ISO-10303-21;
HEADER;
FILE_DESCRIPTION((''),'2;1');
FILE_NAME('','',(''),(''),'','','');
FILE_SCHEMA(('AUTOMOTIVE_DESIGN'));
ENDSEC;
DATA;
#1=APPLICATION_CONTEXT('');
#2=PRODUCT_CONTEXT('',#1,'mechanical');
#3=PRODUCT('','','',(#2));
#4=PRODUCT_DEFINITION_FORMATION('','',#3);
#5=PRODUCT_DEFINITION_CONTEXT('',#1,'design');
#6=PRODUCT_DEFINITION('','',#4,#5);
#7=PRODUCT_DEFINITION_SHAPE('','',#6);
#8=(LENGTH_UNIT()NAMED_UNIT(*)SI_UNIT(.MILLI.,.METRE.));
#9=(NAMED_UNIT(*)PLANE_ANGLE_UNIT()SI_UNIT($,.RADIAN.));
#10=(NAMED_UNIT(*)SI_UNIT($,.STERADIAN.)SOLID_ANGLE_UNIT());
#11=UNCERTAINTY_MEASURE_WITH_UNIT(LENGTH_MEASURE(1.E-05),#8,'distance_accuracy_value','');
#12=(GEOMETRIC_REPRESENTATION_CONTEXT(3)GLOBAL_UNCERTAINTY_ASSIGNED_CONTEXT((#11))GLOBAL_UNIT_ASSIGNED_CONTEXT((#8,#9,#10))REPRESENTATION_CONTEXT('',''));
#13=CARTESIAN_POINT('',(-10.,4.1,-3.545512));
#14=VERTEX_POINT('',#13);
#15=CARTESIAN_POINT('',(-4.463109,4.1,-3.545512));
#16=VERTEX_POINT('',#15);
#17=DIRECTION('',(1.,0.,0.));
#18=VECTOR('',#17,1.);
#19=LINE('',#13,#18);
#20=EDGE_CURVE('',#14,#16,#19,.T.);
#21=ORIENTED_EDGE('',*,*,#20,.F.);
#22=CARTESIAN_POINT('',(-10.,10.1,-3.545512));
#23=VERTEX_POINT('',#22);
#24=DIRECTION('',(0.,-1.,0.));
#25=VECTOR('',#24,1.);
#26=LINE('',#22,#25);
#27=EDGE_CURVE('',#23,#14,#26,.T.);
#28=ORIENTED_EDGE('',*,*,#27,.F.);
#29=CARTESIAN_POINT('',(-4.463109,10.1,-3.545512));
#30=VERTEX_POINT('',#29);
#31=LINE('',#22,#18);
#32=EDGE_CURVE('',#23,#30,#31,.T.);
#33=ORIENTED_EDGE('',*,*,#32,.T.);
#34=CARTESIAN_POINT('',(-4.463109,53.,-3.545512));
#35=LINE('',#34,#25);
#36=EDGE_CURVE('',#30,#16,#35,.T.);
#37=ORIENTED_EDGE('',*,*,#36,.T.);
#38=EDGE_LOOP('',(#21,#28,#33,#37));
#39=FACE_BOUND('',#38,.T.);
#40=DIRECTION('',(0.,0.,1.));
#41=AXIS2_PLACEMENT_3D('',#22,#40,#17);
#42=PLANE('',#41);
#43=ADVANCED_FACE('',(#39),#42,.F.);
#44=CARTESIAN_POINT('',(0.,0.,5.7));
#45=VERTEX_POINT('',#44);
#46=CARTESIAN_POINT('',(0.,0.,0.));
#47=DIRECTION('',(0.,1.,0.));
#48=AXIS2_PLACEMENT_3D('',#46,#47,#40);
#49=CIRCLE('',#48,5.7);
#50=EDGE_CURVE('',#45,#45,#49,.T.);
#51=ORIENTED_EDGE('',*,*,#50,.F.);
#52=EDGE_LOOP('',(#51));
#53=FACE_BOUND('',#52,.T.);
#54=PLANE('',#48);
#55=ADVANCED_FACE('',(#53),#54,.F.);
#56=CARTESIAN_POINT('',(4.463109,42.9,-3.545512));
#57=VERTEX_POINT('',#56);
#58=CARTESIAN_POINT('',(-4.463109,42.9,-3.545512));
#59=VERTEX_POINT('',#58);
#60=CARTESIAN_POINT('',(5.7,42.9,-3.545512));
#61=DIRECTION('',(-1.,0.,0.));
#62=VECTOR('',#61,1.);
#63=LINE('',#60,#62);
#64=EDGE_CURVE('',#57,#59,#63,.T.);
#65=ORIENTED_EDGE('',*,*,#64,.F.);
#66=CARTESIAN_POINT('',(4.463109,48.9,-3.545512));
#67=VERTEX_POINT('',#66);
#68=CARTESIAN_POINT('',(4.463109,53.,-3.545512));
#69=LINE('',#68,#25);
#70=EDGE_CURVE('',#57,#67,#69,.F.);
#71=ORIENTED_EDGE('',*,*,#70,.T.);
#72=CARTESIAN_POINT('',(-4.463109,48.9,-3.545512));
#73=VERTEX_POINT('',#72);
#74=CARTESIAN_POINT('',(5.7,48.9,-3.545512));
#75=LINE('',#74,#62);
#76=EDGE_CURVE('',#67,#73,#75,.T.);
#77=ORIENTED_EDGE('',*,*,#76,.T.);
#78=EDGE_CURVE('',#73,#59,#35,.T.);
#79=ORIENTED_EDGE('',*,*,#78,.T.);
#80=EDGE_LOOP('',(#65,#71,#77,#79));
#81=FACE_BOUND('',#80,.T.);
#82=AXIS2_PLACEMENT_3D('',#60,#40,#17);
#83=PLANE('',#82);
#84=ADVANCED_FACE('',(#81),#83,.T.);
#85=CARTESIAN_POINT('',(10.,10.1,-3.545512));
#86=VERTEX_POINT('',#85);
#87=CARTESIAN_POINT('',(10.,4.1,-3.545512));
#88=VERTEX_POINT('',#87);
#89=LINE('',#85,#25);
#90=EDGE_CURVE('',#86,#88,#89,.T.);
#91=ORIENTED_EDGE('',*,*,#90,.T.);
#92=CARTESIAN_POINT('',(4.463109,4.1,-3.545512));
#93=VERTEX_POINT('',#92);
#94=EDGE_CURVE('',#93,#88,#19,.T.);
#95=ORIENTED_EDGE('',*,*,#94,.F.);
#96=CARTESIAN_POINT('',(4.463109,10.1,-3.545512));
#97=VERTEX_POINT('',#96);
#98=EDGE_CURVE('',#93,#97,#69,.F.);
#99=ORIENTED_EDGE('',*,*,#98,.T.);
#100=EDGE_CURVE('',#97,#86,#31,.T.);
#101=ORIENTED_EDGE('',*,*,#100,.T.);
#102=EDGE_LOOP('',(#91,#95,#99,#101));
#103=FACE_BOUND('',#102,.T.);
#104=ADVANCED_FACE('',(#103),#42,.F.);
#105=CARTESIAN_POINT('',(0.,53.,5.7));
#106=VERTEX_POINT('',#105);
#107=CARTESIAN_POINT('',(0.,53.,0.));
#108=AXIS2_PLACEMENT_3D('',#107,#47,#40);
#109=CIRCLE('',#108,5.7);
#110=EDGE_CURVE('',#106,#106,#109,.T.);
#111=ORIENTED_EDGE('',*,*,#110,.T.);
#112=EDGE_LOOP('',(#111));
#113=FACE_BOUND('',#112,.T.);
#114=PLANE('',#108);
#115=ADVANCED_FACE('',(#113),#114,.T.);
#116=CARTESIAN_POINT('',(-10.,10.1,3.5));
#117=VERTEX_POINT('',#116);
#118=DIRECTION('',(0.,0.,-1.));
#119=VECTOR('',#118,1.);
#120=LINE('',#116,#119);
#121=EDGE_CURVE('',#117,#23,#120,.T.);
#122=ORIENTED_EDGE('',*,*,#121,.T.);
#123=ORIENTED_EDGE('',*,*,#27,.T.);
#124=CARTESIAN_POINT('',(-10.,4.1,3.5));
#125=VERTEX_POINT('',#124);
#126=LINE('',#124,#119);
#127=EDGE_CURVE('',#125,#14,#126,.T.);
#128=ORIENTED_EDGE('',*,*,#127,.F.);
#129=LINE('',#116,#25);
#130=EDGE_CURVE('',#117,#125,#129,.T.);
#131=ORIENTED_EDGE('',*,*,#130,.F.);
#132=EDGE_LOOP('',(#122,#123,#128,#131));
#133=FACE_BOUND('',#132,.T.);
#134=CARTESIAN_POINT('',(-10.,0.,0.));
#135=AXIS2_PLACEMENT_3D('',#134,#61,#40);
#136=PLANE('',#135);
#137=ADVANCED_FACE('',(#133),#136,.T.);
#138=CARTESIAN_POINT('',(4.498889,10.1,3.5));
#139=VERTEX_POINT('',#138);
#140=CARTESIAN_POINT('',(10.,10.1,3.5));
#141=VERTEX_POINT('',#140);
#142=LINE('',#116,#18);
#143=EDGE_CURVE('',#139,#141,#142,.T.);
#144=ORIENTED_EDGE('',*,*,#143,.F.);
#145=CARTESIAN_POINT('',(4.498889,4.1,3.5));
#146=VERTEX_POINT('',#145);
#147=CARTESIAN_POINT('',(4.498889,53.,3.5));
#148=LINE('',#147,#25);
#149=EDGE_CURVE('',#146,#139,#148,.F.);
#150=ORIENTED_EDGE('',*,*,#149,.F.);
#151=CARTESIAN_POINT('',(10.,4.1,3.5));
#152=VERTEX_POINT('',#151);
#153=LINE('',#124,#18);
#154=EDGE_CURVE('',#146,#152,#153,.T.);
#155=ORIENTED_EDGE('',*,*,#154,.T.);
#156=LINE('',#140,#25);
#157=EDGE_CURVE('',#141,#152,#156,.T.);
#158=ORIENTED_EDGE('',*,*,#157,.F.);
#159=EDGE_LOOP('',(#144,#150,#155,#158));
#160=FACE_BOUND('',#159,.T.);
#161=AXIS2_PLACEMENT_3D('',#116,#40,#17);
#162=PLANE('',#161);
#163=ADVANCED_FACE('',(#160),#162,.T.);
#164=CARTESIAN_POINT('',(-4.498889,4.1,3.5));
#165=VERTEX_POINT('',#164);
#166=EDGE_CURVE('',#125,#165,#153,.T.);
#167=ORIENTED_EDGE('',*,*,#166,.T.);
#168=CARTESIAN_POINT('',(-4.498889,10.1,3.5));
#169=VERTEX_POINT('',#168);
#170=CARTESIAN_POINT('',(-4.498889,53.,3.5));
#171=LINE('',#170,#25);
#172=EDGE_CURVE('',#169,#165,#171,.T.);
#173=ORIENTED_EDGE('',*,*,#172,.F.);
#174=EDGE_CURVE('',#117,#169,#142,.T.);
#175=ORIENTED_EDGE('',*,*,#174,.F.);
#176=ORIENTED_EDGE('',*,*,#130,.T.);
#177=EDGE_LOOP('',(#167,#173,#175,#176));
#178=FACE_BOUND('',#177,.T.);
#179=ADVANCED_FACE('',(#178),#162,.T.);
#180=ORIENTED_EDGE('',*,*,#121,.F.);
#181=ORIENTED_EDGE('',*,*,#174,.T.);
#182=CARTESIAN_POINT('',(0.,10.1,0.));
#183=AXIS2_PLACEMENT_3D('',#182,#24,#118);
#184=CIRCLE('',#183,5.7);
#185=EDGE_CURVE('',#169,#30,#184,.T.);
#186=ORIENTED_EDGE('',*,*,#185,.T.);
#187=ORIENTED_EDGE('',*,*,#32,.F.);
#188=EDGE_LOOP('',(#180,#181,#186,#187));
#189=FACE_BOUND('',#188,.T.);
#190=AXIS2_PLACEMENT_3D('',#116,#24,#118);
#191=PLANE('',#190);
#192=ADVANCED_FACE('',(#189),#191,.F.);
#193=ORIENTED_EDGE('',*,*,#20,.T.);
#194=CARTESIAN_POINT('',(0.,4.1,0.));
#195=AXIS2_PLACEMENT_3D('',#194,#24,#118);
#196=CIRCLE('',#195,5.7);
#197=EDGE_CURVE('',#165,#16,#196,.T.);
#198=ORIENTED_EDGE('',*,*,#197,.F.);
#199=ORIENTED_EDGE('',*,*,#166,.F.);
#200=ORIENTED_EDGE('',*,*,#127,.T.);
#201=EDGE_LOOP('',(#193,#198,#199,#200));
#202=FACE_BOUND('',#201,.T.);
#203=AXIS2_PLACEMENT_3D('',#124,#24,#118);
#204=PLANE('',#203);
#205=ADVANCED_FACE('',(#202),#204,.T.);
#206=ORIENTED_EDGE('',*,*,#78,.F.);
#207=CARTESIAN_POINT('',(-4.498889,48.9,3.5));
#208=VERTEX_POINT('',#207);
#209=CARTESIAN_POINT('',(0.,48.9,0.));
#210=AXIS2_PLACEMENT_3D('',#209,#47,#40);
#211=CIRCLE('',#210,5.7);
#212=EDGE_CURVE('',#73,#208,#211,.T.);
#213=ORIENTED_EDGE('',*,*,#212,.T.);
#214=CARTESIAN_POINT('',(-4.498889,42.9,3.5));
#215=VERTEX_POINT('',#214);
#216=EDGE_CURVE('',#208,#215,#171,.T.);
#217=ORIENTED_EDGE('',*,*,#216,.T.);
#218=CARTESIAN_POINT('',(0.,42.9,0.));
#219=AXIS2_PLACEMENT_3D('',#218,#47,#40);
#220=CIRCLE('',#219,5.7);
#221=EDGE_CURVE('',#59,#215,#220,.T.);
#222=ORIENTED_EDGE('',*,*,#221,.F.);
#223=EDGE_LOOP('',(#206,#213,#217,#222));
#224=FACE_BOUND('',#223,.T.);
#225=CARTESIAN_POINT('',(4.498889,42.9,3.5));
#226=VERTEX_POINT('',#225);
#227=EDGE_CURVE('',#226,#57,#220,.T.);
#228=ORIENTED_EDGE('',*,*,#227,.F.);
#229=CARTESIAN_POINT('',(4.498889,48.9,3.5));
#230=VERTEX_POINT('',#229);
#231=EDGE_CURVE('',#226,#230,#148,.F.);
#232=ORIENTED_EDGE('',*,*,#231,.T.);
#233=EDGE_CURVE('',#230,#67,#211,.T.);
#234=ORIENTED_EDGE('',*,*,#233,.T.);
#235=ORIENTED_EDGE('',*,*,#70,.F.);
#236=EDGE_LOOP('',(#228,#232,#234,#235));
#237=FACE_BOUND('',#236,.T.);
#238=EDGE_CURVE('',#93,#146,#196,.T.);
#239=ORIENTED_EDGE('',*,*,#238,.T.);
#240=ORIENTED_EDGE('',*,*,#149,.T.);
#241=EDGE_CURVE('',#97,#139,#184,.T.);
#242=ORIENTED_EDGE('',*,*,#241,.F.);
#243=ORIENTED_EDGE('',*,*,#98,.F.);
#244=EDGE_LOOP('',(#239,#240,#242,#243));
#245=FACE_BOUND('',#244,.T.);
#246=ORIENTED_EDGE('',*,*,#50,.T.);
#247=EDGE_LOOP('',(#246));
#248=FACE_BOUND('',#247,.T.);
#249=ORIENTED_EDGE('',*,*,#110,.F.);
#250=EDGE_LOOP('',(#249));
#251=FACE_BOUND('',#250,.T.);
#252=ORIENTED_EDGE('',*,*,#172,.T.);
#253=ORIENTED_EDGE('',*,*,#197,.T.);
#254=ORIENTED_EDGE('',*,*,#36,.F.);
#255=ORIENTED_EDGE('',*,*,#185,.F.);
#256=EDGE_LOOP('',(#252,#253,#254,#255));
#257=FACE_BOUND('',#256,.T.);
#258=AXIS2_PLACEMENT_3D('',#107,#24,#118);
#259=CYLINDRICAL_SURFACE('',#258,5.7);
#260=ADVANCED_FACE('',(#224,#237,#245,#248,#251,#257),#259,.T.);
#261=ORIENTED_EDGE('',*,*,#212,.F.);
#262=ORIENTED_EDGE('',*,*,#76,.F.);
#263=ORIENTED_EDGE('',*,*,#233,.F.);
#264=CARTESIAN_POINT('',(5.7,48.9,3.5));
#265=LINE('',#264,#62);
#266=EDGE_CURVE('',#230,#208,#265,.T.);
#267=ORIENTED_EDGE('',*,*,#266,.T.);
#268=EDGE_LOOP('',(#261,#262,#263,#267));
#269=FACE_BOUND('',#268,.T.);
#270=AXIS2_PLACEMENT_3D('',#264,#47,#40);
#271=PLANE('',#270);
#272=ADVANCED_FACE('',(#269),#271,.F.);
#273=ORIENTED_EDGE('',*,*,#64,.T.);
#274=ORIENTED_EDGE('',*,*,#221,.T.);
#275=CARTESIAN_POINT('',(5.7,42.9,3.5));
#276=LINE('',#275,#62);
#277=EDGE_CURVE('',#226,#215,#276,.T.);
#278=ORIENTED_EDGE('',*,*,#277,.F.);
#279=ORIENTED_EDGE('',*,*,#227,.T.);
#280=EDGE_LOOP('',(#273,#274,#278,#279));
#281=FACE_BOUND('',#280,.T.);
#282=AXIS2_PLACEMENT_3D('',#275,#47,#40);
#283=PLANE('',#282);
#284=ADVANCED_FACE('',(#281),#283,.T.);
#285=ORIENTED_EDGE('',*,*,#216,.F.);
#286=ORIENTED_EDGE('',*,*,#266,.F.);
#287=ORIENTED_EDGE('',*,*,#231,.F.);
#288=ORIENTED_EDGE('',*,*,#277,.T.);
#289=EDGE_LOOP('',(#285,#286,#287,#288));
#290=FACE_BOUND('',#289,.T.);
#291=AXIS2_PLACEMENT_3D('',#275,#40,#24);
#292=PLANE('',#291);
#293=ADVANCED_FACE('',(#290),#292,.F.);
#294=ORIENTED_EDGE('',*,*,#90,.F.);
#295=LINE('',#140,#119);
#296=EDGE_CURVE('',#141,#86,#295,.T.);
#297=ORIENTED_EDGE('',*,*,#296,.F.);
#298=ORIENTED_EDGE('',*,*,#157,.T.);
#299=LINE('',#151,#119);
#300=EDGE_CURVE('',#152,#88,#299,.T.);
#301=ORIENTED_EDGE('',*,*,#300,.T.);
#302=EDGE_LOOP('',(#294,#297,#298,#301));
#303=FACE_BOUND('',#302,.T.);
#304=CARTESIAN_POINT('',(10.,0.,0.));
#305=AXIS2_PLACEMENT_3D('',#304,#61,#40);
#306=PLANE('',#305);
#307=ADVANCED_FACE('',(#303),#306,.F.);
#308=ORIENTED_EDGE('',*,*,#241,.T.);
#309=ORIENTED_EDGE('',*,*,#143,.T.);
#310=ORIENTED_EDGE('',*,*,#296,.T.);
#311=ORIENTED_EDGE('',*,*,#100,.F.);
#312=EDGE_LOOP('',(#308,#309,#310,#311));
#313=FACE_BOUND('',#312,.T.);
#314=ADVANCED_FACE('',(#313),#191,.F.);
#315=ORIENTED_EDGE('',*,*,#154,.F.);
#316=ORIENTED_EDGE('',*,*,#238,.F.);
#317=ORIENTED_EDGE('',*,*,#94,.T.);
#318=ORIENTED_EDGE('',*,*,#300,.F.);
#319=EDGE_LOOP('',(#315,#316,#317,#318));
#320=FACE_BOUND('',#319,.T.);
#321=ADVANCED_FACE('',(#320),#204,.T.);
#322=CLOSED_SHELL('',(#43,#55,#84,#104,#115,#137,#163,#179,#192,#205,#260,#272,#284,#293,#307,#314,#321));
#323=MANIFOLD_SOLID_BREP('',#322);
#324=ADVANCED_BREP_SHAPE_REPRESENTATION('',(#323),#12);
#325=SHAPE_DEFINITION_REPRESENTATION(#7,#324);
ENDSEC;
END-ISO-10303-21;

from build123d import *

# Parameters (mm, degrees)
SKETCH_1_R               = 5.7
EXTRUDE_1_DEPTH          = 53
CUT_EXTRUDE_1_DEPTH      = 54.609514081
CUT_EXTRUDE_1_DEPTH_BACK = 54.609514081
SKETCH_2_W               = 7.04551248
SKETCH_2_H               = 6
EXTRUDE_2_DEPTH          = 10
EXTRUDE_2_DEPTH_BACK     = 10
SKETCH_2_4_W             = 7.04551248
SKETCH_2_4_H             = 6


with BuildPart() as part:
    # 草图1 → 凸台-拉伸1 (new body)
    with BuildSketch(Plane(origin=(0, 0, 0), x_dir=(1, 0, 0), z_dir=(0, 1, 0))):
        Circle(SKETCH_1_R)
    extrude(amount=EXTRUDE_1_DEPTH)

    # 草图2 → 切除-拉伸1 (cut, two sides: drawn at the far end of the back side and taken through both)
    with BuildSketch(Plane(origin=(0, 0, 0), x_dir=(0, 0, -1), z_dir=(1, 0, 0)).offset(-CUT_EXTRUDE_1_DEPTH_BACK)):
        with Locations((0.02275624, 45.9)):
            Rectangle(SKETCH_2_W, SKETCH_2_H)
    extrude(amount=CUT_EXTRUDE_1_DEPTH + CUT_EXTRUDE_1_DEPTH_BACK, mode=Mode.SUBTRACT)

    # 草图2<4> → 凸台-拉伸2 (add, two sides: drawn at the far end of the back side and taken through both)
    with BuildSketch(Plane(origin=(0, 0, 0), x_dir=(0, 0, -1), z_dir=(1, 0, 0)).offset(-EXTRUDE_2_DEPTH_BACK)):
        with Locations((0.02275624, 7.1)):
            Rectangle(SKETCH_2_4_W, SKETCH_2_4_H)
    extrude(amount=EXTRUDE_2_DEPTH + EXTRUDE_2_DEPTH_BACK)


solid = part.part
